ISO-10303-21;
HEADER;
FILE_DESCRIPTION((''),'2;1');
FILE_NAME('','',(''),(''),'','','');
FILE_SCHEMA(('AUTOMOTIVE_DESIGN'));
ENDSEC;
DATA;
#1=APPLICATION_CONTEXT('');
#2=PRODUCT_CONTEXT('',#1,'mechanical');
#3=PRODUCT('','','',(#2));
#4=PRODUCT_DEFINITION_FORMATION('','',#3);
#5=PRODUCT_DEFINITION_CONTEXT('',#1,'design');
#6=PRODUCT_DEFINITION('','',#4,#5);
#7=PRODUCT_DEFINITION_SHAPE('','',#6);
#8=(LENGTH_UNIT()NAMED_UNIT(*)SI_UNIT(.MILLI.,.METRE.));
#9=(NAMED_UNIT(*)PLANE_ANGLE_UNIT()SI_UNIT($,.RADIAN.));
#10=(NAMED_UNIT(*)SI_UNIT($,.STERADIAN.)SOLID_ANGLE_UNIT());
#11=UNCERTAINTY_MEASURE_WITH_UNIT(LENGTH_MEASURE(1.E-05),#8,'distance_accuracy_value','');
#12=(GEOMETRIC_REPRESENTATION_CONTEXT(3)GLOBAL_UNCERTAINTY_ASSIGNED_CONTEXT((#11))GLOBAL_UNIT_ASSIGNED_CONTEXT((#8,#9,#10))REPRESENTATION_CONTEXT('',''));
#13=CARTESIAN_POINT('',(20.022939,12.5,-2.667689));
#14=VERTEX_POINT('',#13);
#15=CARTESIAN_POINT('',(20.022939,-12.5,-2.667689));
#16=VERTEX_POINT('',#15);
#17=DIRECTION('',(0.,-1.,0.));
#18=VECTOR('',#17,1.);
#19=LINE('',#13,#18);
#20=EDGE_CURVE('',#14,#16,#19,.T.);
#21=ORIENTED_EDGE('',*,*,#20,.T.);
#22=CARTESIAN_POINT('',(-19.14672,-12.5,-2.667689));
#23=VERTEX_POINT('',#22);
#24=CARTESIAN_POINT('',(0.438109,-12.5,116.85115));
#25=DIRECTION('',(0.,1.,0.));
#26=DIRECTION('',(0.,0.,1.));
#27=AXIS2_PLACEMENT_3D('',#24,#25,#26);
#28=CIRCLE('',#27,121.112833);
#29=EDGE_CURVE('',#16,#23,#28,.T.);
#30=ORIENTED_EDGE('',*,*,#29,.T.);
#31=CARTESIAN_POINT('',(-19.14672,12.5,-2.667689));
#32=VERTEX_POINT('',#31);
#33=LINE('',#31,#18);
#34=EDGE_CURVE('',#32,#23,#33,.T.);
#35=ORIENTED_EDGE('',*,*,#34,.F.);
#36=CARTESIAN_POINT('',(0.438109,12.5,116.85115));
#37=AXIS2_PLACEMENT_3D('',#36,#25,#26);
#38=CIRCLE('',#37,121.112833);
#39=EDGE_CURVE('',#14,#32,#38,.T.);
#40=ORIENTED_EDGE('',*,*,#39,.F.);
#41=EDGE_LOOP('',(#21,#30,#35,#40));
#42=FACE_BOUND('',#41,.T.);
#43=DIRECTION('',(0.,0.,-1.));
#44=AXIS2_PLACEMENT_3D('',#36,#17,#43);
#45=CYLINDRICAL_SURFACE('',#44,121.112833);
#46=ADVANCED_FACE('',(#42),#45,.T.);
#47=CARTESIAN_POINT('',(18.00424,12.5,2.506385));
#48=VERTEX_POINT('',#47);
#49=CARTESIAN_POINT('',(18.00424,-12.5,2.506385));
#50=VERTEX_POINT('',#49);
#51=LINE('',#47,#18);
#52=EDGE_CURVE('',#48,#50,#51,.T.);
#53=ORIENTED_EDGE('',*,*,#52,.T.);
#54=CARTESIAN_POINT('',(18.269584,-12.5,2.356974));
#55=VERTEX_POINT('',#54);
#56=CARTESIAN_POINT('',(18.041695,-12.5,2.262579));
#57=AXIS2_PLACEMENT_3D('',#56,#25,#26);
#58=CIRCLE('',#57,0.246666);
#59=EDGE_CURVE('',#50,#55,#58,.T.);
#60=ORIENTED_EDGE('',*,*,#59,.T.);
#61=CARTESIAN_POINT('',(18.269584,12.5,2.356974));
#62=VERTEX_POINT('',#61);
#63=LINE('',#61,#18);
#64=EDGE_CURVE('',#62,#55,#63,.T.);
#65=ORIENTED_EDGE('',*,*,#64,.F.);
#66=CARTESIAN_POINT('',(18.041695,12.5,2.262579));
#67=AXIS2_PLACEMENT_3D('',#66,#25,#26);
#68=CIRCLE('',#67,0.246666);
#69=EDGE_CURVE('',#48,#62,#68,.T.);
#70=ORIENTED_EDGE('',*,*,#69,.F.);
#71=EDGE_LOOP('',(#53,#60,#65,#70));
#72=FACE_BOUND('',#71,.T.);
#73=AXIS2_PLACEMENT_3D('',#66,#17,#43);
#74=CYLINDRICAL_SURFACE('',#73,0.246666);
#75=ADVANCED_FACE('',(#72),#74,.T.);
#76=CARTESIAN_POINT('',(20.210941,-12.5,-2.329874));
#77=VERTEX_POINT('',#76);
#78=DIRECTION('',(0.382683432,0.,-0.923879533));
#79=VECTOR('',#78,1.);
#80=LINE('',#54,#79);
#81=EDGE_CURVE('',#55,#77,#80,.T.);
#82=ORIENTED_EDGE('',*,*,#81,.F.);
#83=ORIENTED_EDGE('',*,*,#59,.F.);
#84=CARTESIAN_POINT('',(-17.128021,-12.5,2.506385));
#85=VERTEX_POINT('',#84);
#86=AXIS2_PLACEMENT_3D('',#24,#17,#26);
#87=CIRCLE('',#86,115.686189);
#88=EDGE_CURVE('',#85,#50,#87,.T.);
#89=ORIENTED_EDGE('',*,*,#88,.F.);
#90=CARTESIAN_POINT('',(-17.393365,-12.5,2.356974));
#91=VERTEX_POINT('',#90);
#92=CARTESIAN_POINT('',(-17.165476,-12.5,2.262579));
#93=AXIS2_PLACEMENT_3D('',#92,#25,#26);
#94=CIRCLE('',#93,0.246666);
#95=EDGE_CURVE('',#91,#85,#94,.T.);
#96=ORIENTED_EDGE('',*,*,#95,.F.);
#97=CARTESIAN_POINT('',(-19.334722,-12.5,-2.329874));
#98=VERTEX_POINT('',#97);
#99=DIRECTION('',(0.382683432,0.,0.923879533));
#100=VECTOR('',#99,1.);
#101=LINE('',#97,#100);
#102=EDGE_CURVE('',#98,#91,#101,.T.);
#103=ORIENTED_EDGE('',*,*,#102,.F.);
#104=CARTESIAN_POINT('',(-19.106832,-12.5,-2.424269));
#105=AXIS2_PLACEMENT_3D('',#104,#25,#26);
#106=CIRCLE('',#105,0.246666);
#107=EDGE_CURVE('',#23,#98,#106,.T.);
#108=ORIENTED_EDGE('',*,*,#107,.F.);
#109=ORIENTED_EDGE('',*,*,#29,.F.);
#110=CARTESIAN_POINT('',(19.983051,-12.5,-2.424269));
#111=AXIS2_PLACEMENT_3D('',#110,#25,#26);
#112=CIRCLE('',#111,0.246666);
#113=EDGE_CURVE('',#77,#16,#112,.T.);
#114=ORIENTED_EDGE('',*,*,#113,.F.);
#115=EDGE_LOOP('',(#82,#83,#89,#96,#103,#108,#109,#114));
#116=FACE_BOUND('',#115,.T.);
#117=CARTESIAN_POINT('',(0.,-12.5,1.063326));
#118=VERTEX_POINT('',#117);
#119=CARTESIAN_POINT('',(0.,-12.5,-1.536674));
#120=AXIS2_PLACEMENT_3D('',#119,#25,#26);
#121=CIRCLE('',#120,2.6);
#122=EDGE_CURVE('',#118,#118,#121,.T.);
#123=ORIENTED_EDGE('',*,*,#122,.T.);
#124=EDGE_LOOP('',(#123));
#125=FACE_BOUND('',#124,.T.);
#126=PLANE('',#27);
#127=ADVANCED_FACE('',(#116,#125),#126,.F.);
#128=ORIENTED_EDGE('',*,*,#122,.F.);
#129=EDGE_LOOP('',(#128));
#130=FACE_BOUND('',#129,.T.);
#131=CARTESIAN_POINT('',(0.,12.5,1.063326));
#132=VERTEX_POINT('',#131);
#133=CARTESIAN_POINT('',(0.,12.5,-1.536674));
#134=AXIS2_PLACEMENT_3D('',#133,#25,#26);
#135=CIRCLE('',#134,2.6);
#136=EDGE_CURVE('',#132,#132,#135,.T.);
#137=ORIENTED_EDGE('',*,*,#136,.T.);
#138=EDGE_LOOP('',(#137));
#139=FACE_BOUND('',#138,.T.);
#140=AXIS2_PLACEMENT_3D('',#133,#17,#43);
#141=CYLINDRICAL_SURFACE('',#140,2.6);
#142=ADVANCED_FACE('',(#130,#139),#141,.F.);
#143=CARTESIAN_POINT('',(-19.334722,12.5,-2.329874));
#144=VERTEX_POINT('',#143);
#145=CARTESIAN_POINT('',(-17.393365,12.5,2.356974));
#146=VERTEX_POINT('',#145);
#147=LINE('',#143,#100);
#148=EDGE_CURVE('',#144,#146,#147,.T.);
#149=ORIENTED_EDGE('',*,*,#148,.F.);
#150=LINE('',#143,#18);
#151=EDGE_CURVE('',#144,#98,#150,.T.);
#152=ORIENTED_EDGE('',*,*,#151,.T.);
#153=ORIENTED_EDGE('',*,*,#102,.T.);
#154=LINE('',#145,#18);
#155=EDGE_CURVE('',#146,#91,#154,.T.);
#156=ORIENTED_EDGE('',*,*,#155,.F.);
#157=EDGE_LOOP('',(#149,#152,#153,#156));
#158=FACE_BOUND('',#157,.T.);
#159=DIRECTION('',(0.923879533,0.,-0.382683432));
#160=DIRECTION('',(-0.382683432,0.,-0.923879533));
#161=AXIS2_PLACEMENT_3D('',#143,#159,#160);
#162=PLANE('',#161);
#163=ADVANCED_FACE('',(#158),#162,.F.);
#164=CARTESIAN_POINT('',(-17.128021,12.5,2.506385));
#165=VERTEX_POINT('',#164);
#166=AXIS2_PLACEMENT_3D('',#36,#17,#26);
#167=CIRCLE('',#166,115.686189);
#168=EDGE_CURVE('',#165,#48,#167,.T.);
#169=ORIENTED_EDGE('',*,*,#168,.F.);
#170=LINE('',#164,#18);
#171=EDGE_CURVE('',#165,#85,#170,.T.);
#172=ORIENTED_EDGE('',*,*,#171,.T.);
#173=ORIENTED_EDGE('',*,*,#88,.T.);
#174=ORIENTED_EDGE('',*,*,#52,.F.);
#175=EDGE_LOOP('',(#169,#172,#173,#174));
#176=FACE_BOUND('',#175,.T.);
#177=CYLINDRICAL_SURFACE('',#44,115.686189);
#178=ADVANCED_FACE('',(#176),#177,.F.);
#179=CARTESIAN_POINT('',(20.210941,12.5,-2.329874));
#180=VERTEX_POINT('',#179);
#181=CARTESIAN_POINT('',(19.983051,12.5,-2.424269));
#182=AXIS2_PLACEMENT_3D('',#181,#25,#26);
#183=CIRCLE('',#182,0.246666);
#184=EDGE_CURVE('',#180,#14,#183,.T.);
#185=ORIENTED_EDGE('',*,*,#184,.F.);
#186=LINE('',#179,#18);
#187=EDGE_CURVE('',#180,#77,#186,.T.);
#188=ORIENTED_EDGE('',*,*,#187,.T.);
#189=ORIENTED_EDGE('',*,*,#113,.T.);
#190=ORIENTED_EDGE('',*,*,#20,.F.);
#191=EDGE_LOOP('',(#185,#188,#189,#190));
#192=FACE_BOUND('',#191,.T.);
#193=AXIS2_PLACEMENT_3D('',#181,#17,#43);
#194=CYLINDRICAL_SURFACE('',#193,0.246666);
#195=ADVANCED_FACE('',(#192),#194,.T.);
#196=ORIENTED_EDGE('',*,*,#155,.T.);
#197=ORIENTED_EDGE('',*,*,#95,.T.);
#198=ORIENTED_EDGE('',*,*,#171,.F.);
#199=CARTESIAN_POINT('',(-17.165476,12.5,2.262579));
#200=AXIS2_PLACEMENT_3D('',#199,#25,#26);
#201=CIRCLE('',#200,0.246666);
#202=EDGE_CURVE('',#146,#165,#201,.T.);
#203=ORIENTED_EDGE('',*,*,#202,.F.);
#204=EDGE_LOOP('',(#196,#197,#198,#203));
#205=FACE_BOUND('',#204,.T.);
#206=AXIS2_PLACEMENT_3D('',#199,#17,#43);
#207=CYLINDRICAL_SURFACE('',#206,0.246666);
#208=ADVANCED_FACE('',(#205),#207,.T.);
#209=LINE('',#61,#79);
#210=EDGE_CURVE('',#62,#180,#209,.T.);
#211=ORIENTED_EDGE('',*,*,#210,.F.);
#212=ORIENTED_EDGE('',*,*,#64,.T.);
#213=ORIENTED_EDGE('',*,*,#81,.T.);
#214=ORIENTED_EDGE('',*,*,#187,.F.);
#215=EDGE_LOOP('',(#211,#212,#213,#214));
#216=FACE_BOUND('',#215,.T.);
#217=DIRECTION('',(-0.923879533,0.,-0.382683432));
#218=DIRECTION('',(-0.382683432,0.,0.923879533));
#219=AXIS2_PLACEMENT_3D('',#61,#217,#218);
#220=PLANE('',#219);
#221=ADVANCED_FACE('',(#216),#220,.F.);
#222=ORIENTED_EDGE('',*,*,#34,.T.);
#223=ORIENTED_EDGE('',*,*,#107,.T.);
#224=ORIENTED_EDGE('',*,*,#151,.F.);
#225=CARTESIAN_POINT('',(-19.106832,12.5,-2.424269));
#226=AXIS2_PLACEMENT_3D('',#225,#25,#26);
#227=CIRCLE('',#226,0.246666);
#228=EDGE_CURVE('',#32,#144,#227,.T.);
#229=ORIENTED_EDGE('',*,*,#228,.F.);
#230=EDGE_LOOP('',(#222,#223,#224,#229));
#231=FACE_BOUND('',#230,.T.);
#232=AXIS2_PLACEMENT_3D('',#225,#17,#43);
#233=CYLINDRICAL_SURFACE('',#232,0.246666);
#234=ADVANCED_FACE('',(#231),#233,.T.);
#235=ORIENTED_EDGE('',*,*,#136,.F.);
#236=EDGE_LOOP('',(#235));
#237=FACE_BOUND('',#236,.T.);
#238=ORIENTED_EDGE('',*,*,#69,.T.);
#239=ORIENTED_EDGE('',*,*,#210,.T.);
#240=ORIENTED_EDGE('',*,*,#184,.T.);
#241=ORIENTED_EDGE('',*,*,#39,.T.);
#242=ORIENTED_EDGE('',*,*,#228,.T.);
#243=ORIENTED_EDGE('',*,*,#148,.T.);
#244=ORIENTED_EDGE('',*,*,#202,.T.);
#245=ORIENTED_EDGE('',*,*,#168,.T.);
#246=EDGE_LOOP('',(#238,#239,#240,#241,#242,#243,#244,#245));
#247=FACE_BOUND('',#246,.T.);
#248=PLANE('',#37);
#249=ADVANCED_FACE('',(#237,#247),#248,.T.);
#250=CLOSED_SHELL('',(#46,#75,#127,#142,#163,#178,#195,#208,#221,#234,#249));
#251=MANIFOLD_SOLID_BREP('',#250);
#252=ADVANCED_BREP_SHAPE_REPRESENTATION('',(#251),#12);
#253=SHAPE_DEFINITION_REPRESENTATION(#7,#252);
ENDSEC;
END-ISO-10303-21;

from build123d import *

# Parameters (mm, degrees)
SKETCH1_R           = 2.6
BOSS_EXTRUDE1_DEPTH = 12.5


with BuildPart() as part:
    # Sketch1 → Boss-Extrude1 (new, symmetric)
    with BuildSketch(Plane(origin=(0, 0, 0), x_dir=(1, 0, 0), z_dir=(0, 1, 0))):
        with BuildLine():
            Line((18.269584171, -2.356974332), (20.210940503, 2.329874452))
            ThreePointArc((20.210940503, 2.329874452), (20.19858704, 2.544220241), (20.022938795, 2.667688533))
            ThreePointArc((20.022938795, 2.667688533), (0.438109454, 4.261682942), (-19.146719886, 2.667688533))
            ThreePointArc((-19.146719886, 2.667688533), (-19.322368131, 2.544220241), (-19.334721594, 2.329874452))
            Line((-19.334721594, 2.329874452), (-17.393365262, -2.356974332))
            ThreePointArc((-17.393365262, -2.356974332), (-17.286501727, -2.477513642), (-17.128021481, -2.506384946))
            ThreePointArc((-17.128021481, -2.506384946), (0.438109454, -1.164961325), (18.00424039, -2.506384946))
            ThreePointArc((18.00424039, -2.506384946), (18.162720636, -2.477513642), (18.269584171, -2.356974332))
        make_face()
        with Locations(Location((0, 1.536674283, 0), (0, 0, 270))):
            Circle(SKETCH1_R, mode=Mode.SUBTRACT)
    extrude(amount=BOSS_EXTRUDE1_DEPTH, both=True)


solid = part.part
